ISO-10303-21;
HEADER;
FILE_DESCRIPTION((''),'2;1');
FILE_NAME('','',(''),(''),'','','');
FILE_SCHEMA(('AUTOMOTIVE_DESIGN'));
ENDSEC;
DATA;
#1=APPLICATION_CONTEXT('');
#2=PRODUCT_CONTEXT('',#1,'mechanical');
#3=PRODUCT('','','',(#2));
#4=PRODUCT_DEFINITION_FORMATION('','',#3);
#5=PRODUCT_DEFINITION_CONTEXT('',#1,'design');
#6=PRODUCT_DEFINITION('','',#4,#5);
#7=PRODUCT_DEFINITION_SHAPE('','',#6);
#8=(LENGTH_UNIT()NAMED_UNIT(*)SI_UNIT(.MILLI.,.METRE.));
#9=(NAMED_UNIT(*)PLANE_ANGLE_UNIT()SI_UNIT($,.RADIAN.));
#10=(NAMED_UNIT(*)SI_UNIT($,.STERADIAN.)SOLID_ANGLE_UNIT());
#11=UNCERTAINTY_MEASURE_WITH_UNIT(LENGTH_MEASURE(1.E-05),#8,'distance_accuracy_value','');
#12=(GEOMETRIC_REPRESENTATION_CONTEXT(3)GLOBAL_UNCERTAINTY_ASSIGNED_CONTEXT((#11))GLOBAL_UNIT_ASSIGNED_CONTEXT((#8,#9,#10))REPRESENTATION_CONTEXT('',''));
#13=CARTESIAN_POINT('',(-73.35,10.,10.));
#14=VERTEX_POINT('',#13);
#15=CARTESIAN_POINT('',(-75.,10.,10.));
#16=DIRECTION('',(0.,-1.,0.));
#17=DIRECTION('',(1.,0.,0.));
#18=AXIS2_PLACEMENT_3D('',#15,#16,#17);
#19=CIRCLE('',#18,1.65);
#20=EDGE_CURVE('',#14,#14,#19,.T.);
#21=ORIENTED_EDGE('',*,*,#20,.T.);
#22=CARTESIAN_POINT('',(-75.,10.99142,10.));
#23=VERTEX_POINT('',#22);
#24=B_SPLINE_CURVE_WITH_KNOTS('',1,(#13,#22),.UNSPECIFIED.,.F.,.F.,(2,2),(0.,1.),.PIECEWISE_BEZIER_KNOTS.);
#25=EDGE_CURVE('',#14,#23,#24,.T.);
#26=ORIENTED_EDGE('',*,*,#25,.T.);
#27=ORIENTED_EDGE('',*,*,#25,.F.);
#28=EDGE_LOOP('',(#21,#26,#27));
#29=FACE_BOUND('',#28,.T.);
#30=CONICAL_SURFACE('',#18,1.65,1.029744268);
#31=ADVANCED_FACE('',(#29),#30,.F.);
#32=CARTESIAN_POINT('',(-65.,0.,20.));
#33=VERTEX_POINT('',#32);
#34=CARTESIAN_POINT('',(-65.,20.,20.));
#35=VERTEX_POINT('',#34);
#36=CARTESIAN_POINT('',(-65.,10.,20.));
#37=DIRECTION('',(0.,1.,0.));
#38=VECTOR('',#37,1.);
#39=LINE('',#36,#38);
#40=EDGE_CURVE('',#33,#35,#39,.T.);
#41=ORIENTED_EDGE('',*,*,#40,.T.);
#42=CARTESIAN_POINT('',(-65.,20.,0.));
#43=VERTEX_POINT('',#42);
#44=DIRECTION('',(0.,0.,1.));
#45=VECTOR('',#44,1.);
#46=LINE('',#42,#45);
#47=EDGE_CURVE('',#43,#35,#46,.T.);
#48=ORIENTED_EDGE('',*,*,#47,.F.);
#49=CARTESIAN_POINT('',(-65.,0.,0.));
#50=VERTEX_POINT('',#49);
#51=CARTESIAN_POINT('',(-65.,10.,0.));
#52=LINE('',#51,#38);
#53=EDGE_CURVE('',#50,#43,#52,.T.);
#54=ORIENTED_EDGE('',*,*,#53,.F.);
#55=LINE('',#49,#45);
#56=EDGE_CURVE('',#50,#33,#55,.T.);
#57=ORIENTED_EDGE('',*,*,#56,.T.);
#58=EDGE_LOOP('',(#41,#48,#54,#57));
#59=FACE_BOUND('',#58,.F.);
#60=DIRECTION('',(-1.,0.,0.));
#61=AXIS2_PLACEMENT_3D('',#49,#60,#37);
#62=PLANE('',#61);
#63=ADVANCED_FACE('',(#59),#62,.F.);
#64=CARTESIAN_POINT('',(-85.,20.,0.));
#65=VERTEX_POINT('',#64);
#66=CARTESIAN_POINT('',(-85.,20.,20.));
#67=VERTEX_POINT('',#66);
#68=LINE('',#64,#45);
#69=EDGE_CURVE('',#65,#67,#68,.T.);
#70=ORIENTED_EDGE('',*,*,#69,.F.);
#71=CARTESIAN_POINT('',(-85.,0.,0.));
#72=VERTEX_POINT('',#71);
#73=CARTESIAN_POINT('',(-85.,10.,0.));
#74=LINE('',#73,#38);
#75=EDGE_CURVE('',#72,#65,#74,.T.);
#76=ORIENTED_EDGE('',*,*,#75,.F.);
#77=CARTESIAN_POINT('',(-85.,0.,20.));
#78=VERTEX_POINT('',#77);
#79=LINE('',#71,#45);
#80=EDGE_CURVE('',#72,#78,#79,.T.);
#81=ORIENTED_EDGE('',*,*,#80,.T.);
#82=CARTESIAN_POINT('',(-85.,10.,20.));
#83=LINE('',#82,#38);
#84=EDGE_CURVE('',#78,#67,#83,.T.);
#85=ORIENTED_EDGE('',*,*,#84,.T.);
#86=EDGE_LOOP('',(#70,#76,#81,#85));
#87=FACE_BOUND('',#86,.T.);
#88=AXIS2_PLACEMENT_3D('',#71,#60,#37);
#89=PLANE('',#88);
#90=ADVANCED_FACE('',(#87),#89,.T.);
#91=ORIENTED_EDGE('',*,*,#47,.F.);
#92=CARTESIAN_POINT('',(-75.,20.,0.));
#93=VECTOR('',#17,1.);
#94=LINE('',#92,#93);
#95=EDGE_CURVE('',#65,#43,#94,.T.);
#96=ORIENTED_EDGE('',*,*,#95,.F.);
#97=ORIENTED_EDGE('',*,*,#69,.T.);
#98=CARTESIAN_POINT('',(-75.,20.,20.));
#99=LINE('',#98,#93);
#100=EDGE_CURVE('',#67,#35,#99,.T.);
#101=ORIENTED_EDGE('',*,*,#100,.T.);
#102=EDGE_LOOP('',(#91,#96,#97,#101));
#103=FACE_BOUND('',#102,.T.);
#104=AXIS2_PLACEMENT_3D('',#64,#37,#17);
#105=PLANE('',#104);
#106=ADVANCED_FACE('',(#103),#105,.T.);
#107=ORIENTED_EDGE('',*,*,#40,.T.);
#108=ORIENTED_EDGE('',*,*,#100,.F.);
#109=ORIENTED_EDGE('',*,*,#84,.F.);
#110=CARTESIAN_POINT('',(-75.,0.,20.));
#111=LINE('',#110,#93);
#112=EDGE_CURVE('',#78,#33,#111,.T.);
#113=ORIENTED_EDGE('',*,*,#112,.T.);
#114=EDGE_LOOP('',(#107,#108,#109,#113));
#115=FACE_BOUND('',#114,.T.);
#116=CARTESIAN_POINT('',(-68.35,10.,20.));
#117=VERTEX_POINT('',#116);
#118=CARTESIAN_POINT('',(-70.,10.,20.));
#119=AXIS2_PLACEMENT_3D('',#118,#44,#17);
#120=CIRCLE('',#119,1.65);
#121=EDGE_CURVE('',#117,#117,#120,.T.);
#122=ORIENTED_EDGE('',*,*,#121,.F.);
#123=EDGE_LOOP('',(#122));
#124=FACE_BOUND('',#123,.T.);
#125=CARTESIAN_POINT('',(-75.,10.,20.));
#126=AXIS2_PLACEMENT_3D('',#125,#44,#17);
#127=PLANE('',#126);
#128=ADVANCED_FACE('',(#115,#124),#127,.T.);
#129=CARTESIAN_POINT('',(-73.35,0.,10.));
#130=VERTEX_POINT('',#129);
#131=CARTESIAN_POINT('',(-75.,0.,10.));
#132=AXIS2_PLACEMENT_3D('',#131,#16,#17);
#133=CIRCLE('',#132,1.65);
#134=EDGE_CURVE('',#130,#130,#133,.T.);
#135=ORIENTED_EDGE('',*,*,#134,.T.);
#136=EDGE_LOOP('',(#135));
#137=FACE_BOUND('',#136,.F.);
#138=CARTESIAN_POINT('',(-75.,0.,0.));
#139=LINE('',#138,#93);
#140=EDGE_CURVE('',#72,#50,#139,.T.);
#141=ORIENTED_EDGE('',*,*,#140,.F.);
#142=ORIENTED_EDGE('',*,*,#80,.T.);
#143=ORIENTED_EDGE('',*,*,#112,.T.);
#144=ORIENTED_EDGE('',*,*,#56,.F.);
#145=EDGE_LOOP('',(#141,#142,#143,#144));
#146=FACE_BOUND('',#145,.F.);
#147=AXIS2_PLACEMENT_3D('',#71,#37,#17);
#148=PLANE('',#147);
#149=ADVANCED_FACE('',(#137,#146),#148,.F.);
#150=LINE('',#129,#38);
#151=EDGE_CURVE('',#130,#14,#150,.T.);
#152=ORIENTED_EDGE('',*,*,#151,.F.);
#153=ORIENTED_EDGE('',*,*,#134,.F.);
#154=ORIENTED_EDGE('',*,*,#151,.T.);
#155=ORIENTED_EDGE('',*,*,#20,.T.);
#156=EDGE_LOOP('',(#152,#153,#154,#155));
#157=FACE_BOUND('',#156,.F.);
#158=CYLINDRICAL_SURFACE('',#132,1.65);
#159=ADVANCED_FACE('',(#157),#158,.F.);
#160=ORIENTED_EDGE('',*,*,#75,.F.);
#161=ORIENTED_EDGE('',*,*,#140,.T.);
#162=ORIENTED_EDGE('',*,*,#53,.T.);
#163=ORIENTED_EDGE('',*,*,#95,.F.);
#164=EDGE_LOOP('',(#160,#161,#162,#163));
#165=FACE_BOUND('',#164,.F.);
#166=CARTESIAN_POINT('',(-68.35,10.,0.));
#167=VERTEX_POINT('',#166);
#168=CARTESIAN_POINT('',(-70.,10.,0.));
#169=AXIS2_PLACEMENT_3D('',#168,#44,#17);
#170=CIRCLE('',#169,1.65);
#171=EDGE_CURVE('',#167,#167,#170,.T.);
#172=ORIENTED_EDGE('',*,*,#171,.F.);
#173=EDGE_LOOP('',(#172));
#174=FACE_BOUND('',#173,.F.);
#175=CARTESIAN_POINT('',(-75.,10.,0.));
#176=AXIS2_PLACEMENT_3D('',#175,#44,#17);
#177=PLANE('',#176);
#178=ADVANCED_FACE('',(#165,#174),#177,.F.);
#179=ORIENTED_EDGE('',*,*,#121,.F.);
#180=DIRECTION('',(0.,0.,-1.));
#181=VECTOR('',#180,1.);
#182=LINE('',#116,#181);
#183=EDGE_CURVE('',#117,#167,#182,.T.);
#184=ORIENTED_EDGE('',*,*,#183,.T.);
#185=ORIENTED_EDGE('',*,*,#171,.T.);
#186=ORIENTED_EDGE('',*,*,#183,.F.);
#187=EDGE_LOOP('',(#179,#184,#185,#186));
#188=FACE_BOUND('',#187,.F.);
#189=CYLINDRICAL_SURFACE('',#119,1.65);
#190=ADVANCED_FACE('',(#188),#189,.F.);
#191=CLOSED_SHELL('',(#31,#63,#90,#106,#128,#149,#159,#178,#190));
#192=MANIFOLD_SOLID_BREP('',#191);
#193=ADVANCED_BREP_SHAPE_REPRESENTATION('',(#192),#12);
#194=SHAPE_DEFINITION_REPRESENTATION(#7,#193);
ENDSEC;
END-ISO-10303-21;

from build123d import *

# Parameters (mm, degrees)
SKETCH_W      = 20
SKETCH_H      = 20
PAD_DEPTH     = 20
SKETCH001_R   = 1.65
HOLE_DEPTH    = 10
HOLE_TIPS_R   = 1.65
SKETCH002_R   = 1.65
HOLE001_DEPTH = 20.001


with BuildPart() as part:
    # Sketch → Pad (new body)
    with BuildSketch(Plane.XY):
        with Locations((-75, 10)):
            Rectangle(SKETCH_W, SKETCH_H)
    extrude(amount=PAD_DEPTH)

    # Sketch001 (on Face1 of Pad) → Hole (cut)
    with BuildSketch(Plane.XZ):
        with Locations((-75, 10)):
            Circle(SKETCH001_R)
    extrude(amount=-HOLE_DEPTH, mode=Mode.SUBTRACT)

    # Hole tips → Hole tip 1 section 0
    with BuildSketch(Plane.XZ.offset(-10), mode=Mode.PRIVATE) as hole_tip_1_s0:
        with Locations((-75, 10)):
            Circle(HOLE_TIPS_R)
    loft([hole_tip_1_s0.sketch, Vertex(-75, 10.99142, 10)], mode=Mode.SUBTRACT)

    # Sketch002 (on Face4 of Hole) → Hole001 (cut, through all)
    with BuildSketch(Plane.XY.offset(20)):
        with Locations((-70, 10)):
            Circle(SKETCH002_R)
    extrude(amount=-HOLE001_DEPTH, mode=Mode.SUBTRACT)


solid = part.part
